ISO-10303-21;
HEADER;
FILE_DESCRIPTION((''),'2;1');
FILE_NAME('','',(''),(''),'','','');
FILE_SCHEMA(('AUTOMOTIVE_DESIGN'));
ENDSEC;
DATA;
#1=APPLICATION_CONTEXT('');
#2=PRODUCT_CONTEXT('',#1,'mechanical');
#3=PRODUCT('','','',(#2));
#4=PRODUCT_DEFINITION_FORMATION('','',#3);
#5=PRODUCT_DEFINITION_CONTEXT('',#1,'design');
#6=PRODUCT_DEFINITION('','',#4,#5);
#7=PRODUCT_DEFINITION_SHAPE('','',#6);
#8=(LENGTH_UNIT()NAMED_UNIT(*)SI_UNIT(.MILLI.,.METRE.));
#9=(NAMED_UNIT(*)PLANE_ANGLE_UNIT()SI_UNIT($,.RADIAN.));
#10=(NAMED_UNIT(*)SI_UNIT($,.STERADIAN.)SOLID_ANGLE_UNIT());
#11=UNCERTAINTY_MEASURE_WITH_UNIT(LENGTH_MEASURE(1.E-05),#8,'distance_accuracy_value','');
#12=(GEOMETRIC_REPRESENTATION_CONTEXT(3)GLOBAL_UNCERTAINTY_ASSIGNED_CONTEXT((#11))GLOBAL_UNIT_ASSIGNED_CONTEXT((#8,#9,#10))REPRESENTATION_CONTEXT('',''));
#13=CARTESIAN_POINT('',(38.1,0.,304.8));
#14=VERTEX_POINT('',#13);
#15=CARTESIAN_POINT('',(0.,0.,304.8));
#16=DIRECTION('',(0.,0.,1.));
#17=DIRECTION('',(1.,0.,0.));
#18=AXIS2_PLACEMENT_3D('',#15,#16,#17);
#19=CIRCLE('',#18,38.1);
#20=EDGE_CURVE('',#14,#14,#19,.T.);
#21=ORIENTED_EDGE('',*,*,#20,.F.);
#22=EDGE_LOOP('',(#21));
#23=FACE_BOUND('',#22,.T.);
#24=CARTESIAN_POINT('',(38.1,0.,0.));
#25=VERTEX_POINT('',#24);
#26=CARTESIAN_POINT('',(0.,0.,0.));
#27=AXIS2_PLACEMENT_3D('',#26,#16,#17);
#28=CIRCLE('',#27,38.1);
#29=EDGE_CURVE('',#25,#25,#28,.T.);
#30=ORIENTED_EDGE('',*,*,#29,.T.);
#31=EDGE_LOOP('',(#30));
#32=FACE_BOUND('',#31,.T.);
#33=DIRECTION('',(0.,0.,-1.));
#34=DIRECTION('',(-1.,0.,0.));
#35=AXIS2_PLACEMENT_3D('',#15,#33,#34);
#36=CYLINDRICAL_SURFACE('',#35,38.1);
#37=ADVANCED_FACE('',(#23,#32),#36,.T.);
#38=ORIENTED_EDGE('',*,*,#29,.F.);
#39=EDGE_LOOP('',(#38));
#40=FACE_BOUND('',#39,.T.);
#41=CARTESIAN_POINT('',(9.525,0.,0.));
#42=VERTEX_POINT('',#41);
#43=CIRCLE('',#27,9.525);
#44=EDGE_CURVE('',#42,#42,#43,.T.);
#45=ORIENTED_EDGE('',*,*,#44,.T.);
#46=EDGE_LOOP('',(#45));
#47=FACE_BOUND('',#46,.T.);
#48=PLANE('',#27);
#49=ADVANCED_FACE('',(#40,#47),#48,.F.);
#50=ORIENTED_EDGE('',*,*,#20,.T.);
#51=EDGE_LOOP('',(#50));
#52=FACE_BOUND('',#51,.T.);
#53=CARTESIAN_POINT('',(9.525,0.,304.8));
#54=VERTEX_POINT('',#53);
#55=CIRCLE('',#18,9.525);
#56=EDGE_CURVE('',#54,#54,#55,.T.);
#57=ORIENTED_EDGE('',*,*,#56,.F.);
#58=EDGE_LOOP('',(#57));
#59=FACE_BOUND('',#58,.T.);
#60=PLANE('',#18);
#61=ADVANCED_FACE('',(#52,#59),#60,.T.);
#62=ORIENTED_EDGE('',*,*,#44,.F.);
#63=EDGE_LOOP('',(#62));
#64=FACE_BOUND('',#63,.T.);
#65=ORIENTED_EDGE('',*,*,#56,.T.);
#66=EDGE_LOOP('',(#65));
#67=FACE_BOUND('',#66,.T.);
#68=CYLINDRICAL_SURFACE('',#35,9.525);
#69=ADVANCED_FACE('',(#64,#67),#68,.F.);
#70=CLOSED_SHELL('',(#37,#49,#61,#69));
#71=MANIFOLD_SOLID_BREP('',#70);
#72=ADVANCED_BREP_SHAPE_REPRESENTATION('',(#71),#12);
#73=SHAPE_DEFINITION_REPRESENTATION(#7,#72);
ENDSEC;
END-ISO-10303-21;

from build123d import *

# Parameters (mm, degrees)
SKETCH1_R           = 38.1
SKETCH1_R_2         = 9.525
BOSS_EXTRUDE1_DEPTH = 304.8


with BuildPart() as part:
    # Sketch1 → Boss-Extrude1 (new body)
    with BuildSketch(Plane.XY):
        Circle(SKETCH1_R)
        Circle(SKETCH1_R_2, mode=Mode.SUBTRACT)
    extrude(amount=BOSS_EXTRUDE1_DEPTH)


solid = part.part
